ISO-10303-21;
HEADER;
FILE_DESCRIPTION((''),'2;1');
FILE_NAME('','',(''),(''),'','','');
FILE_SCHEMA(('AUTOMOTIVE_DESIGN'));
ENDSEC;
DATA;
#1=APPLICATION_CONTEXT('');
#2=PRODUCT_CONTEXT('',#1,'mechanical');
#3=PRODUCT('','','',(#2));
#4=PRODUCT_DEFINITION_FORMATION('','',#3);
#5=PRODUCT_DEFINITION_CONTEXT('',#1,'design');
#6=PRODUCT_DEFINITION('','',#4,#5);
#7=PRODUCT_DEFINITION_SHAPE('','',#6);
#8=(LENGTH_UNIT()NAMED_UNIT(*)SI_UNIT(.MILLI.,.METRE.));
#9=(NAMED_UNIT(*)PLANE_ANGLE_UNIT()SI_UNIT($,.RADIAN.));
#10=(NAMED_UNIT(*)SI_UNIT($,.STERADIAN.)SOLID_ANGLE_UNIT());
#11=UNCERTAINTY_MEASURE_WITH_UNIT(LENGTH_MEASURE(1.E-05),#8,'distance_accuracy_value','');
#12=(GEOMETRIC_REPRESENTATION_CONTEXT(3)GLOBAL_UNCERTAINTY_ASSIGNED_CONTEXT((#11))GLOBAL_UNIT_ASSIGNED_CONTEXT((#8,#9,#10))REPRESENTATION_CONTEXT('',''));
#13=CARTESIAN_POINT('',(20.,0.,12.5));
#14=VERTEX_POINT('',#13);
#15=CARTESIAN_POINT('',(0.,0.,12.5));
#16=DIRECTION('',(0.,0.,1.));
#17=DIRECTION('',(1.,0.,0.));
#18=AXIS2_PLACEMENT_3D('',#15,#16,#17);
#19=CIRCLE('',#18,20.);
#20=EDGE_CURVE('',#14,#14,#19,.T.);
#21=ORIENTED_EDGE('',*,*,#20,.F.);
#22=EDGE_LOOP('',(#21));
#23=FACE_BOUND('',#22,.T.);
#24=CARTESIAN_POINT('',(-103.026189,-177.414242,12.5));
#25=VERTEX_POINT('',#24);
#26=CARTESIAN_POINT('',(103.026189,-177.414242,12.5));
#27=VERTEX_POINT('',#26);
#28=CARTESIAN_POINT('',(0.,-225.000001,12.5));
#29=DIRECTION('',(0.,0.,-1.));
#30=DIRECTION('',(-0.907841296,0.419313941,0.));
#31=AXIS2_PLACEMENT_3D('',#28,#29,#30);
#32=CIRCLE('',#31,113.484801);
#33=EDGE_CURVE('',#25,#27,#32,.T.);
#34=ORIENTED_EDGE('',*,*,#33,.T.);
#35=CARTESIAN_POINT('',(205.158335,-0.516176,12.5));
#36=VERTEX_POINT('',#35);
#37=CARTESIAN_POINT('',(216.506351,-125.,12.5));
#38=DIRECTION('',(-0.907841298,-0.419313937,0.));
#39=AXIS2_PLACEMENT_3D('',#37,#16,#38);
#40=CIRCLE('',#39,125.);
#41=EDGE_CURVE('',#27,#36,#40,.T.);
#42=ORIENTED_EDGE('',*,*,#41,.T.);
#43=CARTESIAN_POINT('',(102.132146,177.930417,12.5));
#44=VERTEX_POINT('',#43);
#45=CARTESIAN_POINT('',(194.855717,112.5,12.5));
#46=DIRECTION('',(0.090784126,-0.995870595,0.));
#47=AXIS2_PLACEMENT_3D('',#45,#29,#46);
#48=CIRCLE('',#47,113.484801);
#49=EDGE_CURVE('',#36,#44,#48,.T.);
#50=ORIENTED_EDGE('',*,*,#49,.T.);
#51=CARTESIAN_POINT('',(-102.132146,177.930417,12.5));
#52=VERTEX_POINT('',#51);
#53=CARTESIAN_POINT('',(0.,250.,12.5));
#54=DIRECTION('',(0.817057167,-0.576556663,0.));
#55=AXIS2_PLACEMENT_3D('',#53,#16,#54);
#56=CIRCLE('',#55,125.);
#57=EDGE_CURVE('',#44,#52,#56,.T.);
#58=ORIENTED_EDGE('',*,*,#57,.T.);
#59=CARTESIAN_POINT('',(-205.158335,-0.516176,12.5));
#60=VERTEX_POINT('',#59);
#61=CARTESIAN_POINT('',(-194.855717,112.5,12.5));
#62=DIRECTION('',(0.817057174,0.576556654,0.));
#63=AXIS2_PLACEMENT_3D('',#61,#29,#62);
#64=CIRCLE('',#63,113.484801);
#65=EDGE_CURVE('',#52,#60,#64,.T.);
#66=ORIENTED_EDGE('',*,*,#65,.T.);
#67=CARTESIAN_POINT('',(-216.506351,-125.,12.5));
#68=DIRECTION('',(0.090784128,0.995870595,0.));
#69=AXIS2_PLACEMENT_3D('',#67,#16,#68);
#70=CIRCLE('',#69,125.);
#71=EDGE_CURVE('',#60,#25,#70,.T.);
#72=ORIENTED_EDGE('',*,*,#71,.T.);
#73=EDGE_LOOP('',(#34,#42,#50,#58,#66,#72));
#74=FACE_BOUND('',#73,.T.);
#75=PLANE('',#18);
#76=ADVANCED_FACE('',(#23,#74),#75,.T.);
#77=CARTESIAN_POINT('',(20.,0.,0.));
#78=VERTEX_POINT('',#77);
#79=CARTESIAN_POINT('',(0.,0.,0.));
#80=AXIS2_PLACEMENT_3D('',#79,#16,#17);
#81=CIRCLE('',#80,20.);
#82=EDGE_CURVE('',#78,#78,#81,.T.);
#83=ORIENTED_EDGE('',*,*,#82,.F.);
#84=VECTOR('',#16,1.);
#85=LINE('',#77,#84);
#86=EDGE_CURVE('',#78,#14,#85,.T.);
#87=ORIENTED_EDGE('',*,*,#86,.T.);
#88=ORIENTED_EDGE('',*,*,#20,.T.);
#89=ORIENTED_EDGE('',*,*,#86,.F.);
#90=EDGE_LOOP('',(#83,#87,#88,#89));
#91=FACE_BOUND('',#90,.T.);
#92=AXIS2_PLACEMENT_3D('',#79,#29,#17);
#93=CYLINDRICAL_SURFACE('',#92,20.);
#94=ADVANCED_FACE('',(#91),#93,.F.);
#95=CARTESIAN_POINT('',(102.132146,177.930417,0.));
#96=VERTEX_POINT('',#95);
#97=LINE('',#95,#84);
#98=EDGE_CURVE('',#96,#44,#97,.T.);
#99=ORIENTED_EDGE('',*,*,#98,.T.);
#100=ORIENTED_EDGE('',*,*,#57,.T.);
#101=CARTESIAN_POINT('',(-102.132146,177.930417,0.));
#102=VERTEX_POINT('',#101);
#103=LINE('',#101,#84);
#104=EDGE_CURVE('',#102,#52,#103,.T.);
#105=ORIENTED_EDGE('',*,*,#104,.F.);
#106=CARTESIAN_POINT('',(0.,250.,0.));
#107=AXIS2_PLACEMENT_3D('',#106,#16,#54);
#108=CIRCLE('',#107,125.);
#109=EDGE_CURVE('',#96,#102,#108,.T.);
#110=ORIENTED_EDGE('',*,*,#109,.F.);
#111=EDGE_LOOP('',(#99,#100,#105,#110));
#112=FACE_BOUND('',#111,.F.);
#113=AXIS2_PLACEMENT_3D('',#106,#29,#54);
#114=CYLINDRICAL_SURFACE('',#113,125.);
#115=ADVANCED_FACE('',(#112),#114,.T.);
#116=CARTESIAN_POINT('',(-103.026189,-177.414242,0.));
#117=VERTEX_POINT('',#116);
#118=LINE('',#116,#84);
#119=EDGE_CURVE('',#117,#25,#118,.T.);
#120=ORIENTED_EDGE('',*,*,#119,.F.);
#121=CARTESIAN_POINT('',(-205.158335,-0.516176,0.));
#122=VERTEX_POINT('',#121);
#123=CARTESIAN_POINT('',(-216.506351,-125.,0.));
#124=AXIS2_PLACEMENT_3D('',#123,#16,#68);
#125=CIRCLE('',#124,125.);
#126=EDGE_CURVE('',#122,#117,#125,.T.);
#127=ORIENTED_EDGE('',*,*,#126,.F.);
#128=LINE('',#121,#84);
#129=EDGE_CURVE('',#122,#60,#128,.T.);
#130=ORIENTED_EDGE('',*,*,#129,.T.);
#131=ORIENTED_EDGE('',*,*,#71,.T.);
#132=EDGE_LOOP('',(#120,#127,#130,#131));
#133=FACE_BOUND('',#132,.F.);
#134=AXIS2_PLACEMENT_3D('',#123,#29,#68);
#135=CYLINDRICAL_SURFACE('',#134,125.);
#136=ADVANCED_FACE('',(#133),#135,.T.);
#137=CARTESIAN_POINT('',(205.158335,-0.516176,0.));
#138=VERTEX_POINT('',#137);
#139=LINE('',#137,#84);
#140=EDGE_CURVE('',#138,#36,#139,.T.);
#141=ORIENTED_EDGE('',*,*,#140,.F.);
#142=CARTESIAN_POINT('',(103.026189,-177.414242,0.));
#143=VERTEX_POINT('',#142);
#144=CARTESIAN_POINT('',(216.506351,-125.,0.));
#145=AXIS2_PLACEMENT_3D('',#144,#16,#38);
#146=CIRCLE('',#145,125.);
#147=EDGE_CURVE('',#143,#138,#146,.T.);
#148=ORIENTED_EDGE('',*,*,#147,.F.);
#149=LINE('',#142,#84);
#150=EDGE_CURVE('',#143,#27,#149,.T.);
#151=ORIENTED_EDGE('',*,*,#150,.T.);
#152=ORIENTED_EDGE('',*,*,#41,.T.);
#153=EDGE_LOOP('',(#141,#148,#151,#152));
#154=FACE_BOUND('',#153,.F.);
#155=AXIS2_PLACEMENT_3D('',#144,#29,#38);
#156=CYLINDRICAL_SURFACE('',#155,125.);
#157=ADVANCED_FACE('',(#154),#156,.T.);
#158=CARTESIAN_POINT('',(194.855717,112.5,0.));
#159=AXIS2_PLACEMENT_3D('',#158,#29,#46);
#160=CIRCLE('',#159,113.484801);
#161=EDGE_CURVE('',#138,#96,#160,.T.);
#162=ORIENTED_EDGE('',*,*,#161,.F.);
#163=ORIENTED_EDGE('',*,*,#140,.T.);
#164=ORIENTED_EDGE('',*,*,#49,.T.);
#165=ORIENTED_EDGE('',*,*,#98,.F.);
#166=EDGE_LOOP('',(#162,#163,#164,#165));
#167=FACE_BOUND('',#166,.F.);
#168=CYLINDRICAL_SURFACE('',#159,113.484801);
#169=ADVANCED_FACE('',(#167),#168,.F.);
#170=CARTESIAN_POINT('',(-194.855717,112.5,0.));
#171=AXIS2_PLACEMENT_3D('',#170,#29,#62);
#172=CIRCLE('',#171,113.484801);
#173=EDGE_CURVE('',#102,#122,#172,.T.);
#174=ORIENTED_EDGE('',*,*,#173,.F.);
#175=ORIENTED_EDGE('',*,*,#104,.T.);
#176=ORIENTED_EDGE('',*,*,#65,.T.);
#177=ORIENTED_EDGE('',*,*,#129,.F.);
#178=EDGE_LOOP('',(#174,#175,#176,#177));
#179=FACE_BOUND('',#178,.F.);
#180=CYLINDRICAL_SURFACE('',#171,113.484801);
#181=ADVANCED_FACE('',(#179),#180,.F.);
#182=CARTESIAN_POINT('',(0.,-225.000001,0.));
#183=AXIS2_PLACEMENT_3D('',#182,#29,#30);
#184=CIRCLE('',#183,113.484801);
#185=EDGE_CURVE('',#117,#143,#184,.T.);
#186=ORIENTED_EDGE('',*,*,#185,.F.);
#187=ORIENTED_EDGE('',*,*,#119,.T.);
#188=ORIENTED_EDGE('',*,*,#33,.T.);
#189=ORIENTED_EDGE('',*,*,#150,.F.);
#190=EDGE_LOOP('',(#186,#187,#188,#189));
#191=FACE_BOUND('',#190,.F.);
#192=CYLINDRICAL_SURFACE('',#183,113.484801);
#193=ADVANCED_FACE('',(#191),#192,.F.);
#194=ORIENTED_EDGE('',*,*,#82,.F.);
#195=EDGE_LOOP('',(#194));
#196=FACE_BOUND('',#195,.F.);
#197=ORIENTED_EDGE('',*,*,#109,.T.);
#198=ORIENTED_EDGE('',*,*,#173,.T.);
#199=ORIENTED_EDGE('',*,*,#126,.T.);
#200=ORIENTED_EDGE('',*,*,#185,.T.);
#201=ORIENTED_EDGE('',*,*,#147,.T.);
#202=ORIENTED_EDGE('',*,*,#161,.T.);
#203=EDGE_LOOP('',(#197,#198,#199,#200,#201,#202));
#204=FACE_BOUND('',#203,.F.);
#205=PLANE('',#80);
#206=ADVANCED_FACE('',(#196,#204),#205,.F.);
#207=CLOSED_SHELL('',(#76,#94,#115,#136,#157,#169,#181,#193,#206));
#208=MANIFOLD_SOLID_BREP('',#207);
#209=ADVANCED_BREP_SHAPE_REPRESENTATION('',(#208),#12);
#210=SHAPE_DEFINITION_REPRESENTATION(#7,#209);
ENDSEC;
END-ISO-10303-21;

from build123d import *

# Parameters (mm, degrees)
F0_R     = 100
F0_R_2   = 20
F1_DEPTH = 12.5


with BuildPart() as f1:
    # F0 (on Top) → F1 (new body)
    with BuildSketch(Plane.XY):
        with BuildLine():
            ThreePointArc((205.158335, -0.516176), (96.574996, 55.7576), (102.132146, 177.930417))
            ThreePointArc((102.132146, 177.930417), (0, 375), (-102.132146, 177.930417))
            ThreePointArc((-102.132146, 177.930417), (-96.574996, 55.7576), (-205.158335, -0.516176))
            ThreePointArc((-205.158335, -0.516176), (-324.759526, -187.5), (-103.026189, -177.414242))
            ThreePointArc((-103.026189, -177.414242), (0, -111.5152), (103.026189, -177.414242))
            ThreePointArc((103.026189, -177.414242), (324.759526, -187.5), (205.158335, -0.516176))
        make_face()
        Circle(F0_R, mode=Mode.SUBTRACT)
        Circle(F0_R)
        Circle(F0_R_2, mode=Mode.SUBTRACT)
    extrude(amount=F1_DEPTH)


solid = f1.part
